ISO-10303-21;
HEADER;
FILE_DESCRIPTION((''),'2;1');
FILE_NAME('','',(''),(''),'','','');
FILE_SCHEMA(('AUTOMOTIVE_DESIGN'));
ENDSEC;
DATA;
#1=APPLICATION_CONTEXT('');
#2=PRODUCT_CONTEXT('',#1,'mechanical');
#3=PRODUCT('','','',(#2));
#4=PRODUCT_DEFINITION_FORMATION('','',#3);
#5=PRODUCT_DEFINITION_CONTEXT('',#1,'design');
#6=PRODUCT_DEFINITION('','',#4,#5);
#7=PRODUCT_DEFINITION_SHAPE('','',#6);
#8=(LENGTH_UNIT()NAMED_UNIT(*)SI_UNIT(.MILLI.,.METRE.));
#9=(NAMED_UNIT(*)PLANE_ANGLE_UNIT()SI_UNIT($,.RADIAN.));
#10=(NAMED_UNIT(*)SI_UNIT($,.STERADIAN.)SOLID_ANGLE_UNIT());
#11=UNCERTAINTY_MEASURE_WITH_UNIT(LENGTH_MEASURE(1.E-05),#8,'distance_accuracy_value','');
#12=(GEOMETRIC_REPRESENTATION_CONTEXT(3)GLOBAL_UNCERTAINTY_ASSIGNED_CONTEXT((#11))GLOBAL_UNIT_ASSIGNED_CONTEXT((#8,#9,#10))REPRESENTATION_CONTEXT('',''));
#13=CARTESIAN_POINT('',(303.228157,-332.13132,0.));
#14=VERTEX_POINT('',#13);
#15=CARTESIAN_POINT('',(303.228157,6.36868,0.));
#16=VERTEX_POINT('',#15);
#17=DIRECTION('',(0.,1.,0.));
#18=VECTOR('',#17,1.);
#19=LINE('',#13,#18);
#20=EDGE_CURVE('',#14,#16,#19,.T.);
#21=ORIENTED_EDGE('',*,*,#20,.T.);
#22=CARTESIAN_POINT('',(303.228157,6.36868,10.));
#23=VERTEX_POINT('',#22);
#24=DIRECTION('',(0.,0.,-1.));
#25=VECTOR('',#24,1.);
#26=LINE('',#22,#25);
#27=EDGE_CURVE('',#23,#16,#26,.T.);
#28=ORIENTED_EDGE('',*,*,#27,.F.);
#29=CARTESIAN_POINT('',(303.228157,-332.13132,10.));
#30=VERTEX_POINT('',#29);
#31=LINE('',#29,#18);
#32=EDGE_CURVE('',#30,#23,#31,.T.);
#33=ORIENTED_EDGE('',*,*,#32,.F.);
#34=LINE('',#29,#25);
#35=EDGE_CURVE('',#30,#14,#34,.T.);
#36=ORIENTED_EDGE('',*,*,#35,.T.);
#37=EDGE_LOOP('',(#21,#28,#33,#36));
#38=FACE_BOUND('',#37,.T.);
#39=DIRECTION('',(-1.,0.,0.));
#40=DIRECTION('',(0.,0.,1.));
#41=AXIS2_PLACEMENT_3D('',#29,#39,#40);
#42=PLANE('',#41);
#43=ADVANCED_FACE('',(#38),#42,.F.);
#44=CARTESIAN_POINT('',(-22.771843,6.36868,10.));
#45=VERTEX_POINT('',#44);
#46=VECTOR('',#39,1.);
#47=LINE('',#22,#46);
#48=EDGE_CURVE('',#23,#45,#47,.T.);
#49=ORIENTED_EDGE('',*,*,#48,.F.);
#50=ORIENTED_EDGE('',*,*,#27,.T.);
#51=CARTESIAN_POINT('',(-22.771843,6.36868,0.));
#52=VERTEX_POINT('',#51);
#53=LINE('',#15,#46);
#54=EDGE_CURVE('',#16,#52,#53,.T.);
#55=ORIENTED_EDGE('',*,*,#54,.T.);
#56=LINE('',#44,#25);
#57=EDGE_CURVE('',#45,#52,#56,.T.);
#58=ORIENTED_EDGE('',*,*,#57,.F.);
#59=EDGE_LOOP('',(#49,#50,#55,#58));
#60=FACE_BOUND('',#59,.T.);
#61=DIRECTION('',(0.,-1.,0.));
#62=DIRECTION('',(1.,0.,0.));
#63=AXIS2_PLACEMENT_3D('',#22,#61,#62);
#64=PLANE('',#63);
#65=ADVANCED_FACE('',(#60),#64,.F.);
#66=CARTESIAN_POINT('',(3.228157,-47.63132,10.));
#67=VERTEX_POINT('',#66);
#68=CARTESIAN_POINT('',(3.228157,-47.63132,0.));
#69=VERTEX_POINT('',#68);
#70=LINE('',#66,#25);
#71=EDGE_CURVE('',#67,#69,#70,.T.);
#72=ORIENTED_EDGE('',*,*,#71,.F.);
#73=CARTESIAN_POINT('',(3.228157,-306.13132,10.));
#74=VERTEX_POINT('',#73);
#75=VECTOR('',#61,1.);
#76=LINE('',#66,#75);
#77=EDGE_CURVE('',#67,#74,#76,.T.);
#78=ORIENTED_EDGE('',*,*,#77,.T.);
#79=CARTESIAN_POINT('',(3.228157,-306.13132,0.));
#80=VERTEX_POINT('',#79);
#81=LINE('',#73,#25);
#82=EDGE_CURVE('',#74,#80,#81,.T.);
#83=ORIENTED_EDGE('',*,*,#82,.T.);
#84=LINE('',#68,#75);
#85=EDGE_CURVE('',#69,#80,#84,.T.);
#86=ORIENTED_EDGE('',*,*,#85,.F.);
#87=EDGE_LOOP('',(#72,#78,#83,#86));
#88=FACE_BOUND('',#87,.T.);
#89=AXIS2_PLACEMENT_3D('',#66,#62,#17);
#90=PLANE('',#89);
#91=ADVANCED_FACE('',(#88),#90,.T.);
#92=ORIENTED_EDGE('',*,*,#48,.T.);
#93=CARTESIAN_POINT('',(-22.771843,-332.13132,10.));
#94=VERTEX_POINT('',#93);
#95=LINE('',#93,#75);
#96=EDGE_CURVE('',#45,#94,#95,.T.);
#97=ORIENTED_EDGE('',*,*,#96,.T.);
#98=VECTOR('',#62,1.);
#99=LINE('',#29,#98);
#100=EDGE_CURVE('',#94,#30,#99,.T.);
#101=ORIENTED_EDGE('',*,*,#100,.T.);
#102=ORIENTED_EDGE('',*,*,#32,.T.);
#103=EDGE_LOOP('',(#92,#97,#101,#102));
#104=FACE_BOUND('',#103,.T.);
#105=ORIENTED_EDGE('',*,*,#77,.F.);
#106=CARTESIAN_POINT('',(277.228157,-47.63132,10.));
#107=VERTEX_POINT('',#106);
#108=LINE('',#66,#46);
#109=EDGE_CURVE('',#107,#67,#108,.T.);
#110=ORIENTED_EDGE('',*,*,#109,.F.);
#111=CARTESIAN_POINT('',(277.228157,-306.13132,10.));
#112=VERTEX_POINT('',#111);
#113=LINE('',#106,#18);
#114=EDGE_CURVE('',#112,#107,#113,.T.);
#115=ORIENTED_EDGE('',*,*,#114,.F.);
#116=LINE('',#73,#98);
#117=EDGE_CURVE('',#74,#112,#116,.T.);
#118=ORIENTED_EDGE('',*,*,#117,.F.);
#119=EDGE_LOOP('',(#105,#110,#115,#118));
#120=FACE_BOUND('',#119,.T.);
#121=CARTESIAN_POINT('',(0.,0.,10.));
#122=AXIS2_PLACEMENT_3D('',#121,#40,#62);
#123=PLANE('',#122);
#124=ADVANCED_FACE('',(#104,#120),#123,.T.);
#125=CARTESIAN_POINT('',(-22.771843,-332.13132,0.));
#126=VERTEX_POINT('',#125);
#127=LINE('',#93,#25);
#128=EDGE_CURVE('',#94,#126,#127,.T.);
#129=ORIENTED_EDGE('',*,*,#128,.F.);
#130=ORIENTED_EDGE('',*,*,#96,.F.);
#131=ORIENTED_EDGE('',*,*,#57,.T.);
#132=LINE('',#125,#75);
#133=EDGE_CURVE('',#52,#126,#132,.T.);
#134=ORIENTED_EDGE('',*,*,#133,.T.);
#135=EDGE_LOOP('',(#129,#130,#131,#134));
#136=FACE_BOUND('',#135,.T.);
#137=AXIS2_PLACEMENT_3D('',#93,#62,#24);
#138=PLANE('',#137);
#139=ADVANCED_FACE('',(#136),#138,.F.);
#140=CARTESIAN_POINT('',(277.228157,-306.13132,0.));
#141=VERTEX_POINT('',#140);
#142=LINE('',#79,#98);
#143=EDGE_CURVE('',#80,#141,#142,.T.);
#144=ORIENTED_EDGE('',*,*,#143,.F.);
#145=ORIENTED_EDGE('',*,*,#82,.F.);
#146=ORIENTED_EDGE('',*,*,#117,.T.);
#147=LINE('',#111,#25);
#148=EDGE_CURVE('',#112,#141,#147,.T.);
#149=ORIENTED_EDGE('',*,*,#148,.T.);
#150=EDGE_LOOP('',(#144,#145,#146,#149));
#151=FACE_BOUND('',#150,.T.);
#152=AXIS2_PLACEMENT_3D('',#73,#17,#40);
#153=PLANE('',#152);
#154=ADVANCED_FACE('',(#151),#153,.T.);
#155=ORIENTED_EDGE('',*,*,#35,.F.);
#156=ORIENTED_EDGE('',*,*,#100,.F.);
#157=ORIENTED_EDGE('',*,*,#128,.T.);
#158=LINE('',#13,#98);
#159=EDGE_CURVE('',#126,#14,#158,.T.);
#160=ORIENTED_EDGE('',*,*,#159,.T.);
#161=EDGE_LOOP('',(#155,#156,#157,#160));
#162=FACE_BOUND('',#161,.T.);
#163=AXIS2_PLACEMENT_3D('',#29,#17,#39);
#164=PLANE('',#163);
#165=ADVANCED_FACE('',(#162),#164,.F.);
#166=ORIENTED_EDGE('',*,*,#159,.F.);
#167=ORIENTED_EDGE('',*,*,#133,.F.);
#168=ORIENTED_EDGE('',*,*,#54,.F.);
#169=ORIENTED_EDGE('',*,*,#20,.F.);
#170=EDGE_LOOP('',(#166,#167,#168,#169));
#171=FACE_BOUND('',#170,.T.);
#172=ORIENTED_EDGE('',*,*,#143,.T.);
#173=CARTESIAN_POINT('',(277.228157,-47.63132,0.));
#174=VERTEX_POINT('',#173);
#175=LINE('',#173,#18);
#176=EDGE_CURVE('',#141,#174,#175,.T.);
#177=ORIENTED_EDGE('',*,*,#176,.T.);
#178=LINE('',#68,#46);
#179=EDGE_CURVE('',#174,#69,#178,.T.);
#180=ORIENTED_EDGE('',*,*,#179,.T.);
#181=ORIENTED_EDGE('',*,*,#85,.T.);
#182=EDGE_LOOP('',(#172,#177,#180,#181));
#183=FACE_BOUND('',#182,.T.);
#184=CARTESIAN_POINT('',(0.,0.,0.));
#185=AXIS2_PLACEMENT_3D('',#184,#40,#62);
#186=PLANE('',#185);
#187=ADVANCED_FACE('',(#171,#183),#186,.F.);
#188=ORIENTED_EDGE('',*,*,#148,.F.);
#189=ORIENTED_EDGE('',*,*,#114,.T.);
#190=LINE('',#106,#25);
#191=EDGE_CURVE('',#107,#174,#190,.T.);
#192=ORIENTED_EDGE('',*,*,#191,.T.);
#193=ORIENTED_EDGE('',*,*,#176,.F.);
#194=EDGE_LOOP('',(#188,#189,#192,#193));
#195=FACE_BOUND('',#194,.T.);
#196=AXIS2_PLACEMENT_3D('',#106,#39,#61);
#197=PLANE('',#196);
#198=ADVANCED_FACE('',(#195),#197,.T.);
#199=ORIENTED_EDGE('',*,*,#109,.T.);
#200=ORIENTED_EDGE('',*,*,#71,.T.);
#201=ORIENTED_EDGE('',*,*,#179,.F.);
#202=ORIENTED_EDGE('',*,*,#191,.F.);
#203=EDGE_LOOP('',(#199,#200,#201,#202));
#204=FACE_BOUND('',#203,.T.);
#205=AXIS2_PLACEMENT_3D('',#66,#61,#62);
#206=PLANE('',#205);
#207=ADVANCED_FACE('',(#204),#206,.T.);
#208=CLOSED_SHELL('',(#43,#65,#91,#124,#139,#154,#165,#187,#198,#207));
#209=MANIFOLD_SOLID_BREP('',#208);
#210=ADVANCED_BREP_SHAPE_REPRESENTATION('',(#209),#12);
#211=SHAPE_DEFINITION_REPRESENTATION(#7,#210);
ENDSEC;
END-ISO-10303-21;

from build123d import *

# Parameters (mm, degrees)
SKETCH_1_W      = 326
SKETCH_1_H      = 338.5
SKETCH_1_W_2    = 274
SKETCH_1_H_2    = 258.5
EXTRUDE_1_DEPTH = 10


with BuildPart() as part:
    # Эскиз1 → Бобышка-Вытянуть1 (new body)
    with BuildSketch(Plane.XY):
        with Locations((140.228156891, -162.881320016)):
            Rectangle(SKETCH_1_W, SKETCH_1_H)
        with Locations((140.228156891, -176.881320016)):
            Rectangle(SKETCH_1_W_2, SKETCH_1_H_2, mode=Mode.SUBTRACT)
    extrude(amount=EXTRUDE_1_DEPTH)


solid = part.part
